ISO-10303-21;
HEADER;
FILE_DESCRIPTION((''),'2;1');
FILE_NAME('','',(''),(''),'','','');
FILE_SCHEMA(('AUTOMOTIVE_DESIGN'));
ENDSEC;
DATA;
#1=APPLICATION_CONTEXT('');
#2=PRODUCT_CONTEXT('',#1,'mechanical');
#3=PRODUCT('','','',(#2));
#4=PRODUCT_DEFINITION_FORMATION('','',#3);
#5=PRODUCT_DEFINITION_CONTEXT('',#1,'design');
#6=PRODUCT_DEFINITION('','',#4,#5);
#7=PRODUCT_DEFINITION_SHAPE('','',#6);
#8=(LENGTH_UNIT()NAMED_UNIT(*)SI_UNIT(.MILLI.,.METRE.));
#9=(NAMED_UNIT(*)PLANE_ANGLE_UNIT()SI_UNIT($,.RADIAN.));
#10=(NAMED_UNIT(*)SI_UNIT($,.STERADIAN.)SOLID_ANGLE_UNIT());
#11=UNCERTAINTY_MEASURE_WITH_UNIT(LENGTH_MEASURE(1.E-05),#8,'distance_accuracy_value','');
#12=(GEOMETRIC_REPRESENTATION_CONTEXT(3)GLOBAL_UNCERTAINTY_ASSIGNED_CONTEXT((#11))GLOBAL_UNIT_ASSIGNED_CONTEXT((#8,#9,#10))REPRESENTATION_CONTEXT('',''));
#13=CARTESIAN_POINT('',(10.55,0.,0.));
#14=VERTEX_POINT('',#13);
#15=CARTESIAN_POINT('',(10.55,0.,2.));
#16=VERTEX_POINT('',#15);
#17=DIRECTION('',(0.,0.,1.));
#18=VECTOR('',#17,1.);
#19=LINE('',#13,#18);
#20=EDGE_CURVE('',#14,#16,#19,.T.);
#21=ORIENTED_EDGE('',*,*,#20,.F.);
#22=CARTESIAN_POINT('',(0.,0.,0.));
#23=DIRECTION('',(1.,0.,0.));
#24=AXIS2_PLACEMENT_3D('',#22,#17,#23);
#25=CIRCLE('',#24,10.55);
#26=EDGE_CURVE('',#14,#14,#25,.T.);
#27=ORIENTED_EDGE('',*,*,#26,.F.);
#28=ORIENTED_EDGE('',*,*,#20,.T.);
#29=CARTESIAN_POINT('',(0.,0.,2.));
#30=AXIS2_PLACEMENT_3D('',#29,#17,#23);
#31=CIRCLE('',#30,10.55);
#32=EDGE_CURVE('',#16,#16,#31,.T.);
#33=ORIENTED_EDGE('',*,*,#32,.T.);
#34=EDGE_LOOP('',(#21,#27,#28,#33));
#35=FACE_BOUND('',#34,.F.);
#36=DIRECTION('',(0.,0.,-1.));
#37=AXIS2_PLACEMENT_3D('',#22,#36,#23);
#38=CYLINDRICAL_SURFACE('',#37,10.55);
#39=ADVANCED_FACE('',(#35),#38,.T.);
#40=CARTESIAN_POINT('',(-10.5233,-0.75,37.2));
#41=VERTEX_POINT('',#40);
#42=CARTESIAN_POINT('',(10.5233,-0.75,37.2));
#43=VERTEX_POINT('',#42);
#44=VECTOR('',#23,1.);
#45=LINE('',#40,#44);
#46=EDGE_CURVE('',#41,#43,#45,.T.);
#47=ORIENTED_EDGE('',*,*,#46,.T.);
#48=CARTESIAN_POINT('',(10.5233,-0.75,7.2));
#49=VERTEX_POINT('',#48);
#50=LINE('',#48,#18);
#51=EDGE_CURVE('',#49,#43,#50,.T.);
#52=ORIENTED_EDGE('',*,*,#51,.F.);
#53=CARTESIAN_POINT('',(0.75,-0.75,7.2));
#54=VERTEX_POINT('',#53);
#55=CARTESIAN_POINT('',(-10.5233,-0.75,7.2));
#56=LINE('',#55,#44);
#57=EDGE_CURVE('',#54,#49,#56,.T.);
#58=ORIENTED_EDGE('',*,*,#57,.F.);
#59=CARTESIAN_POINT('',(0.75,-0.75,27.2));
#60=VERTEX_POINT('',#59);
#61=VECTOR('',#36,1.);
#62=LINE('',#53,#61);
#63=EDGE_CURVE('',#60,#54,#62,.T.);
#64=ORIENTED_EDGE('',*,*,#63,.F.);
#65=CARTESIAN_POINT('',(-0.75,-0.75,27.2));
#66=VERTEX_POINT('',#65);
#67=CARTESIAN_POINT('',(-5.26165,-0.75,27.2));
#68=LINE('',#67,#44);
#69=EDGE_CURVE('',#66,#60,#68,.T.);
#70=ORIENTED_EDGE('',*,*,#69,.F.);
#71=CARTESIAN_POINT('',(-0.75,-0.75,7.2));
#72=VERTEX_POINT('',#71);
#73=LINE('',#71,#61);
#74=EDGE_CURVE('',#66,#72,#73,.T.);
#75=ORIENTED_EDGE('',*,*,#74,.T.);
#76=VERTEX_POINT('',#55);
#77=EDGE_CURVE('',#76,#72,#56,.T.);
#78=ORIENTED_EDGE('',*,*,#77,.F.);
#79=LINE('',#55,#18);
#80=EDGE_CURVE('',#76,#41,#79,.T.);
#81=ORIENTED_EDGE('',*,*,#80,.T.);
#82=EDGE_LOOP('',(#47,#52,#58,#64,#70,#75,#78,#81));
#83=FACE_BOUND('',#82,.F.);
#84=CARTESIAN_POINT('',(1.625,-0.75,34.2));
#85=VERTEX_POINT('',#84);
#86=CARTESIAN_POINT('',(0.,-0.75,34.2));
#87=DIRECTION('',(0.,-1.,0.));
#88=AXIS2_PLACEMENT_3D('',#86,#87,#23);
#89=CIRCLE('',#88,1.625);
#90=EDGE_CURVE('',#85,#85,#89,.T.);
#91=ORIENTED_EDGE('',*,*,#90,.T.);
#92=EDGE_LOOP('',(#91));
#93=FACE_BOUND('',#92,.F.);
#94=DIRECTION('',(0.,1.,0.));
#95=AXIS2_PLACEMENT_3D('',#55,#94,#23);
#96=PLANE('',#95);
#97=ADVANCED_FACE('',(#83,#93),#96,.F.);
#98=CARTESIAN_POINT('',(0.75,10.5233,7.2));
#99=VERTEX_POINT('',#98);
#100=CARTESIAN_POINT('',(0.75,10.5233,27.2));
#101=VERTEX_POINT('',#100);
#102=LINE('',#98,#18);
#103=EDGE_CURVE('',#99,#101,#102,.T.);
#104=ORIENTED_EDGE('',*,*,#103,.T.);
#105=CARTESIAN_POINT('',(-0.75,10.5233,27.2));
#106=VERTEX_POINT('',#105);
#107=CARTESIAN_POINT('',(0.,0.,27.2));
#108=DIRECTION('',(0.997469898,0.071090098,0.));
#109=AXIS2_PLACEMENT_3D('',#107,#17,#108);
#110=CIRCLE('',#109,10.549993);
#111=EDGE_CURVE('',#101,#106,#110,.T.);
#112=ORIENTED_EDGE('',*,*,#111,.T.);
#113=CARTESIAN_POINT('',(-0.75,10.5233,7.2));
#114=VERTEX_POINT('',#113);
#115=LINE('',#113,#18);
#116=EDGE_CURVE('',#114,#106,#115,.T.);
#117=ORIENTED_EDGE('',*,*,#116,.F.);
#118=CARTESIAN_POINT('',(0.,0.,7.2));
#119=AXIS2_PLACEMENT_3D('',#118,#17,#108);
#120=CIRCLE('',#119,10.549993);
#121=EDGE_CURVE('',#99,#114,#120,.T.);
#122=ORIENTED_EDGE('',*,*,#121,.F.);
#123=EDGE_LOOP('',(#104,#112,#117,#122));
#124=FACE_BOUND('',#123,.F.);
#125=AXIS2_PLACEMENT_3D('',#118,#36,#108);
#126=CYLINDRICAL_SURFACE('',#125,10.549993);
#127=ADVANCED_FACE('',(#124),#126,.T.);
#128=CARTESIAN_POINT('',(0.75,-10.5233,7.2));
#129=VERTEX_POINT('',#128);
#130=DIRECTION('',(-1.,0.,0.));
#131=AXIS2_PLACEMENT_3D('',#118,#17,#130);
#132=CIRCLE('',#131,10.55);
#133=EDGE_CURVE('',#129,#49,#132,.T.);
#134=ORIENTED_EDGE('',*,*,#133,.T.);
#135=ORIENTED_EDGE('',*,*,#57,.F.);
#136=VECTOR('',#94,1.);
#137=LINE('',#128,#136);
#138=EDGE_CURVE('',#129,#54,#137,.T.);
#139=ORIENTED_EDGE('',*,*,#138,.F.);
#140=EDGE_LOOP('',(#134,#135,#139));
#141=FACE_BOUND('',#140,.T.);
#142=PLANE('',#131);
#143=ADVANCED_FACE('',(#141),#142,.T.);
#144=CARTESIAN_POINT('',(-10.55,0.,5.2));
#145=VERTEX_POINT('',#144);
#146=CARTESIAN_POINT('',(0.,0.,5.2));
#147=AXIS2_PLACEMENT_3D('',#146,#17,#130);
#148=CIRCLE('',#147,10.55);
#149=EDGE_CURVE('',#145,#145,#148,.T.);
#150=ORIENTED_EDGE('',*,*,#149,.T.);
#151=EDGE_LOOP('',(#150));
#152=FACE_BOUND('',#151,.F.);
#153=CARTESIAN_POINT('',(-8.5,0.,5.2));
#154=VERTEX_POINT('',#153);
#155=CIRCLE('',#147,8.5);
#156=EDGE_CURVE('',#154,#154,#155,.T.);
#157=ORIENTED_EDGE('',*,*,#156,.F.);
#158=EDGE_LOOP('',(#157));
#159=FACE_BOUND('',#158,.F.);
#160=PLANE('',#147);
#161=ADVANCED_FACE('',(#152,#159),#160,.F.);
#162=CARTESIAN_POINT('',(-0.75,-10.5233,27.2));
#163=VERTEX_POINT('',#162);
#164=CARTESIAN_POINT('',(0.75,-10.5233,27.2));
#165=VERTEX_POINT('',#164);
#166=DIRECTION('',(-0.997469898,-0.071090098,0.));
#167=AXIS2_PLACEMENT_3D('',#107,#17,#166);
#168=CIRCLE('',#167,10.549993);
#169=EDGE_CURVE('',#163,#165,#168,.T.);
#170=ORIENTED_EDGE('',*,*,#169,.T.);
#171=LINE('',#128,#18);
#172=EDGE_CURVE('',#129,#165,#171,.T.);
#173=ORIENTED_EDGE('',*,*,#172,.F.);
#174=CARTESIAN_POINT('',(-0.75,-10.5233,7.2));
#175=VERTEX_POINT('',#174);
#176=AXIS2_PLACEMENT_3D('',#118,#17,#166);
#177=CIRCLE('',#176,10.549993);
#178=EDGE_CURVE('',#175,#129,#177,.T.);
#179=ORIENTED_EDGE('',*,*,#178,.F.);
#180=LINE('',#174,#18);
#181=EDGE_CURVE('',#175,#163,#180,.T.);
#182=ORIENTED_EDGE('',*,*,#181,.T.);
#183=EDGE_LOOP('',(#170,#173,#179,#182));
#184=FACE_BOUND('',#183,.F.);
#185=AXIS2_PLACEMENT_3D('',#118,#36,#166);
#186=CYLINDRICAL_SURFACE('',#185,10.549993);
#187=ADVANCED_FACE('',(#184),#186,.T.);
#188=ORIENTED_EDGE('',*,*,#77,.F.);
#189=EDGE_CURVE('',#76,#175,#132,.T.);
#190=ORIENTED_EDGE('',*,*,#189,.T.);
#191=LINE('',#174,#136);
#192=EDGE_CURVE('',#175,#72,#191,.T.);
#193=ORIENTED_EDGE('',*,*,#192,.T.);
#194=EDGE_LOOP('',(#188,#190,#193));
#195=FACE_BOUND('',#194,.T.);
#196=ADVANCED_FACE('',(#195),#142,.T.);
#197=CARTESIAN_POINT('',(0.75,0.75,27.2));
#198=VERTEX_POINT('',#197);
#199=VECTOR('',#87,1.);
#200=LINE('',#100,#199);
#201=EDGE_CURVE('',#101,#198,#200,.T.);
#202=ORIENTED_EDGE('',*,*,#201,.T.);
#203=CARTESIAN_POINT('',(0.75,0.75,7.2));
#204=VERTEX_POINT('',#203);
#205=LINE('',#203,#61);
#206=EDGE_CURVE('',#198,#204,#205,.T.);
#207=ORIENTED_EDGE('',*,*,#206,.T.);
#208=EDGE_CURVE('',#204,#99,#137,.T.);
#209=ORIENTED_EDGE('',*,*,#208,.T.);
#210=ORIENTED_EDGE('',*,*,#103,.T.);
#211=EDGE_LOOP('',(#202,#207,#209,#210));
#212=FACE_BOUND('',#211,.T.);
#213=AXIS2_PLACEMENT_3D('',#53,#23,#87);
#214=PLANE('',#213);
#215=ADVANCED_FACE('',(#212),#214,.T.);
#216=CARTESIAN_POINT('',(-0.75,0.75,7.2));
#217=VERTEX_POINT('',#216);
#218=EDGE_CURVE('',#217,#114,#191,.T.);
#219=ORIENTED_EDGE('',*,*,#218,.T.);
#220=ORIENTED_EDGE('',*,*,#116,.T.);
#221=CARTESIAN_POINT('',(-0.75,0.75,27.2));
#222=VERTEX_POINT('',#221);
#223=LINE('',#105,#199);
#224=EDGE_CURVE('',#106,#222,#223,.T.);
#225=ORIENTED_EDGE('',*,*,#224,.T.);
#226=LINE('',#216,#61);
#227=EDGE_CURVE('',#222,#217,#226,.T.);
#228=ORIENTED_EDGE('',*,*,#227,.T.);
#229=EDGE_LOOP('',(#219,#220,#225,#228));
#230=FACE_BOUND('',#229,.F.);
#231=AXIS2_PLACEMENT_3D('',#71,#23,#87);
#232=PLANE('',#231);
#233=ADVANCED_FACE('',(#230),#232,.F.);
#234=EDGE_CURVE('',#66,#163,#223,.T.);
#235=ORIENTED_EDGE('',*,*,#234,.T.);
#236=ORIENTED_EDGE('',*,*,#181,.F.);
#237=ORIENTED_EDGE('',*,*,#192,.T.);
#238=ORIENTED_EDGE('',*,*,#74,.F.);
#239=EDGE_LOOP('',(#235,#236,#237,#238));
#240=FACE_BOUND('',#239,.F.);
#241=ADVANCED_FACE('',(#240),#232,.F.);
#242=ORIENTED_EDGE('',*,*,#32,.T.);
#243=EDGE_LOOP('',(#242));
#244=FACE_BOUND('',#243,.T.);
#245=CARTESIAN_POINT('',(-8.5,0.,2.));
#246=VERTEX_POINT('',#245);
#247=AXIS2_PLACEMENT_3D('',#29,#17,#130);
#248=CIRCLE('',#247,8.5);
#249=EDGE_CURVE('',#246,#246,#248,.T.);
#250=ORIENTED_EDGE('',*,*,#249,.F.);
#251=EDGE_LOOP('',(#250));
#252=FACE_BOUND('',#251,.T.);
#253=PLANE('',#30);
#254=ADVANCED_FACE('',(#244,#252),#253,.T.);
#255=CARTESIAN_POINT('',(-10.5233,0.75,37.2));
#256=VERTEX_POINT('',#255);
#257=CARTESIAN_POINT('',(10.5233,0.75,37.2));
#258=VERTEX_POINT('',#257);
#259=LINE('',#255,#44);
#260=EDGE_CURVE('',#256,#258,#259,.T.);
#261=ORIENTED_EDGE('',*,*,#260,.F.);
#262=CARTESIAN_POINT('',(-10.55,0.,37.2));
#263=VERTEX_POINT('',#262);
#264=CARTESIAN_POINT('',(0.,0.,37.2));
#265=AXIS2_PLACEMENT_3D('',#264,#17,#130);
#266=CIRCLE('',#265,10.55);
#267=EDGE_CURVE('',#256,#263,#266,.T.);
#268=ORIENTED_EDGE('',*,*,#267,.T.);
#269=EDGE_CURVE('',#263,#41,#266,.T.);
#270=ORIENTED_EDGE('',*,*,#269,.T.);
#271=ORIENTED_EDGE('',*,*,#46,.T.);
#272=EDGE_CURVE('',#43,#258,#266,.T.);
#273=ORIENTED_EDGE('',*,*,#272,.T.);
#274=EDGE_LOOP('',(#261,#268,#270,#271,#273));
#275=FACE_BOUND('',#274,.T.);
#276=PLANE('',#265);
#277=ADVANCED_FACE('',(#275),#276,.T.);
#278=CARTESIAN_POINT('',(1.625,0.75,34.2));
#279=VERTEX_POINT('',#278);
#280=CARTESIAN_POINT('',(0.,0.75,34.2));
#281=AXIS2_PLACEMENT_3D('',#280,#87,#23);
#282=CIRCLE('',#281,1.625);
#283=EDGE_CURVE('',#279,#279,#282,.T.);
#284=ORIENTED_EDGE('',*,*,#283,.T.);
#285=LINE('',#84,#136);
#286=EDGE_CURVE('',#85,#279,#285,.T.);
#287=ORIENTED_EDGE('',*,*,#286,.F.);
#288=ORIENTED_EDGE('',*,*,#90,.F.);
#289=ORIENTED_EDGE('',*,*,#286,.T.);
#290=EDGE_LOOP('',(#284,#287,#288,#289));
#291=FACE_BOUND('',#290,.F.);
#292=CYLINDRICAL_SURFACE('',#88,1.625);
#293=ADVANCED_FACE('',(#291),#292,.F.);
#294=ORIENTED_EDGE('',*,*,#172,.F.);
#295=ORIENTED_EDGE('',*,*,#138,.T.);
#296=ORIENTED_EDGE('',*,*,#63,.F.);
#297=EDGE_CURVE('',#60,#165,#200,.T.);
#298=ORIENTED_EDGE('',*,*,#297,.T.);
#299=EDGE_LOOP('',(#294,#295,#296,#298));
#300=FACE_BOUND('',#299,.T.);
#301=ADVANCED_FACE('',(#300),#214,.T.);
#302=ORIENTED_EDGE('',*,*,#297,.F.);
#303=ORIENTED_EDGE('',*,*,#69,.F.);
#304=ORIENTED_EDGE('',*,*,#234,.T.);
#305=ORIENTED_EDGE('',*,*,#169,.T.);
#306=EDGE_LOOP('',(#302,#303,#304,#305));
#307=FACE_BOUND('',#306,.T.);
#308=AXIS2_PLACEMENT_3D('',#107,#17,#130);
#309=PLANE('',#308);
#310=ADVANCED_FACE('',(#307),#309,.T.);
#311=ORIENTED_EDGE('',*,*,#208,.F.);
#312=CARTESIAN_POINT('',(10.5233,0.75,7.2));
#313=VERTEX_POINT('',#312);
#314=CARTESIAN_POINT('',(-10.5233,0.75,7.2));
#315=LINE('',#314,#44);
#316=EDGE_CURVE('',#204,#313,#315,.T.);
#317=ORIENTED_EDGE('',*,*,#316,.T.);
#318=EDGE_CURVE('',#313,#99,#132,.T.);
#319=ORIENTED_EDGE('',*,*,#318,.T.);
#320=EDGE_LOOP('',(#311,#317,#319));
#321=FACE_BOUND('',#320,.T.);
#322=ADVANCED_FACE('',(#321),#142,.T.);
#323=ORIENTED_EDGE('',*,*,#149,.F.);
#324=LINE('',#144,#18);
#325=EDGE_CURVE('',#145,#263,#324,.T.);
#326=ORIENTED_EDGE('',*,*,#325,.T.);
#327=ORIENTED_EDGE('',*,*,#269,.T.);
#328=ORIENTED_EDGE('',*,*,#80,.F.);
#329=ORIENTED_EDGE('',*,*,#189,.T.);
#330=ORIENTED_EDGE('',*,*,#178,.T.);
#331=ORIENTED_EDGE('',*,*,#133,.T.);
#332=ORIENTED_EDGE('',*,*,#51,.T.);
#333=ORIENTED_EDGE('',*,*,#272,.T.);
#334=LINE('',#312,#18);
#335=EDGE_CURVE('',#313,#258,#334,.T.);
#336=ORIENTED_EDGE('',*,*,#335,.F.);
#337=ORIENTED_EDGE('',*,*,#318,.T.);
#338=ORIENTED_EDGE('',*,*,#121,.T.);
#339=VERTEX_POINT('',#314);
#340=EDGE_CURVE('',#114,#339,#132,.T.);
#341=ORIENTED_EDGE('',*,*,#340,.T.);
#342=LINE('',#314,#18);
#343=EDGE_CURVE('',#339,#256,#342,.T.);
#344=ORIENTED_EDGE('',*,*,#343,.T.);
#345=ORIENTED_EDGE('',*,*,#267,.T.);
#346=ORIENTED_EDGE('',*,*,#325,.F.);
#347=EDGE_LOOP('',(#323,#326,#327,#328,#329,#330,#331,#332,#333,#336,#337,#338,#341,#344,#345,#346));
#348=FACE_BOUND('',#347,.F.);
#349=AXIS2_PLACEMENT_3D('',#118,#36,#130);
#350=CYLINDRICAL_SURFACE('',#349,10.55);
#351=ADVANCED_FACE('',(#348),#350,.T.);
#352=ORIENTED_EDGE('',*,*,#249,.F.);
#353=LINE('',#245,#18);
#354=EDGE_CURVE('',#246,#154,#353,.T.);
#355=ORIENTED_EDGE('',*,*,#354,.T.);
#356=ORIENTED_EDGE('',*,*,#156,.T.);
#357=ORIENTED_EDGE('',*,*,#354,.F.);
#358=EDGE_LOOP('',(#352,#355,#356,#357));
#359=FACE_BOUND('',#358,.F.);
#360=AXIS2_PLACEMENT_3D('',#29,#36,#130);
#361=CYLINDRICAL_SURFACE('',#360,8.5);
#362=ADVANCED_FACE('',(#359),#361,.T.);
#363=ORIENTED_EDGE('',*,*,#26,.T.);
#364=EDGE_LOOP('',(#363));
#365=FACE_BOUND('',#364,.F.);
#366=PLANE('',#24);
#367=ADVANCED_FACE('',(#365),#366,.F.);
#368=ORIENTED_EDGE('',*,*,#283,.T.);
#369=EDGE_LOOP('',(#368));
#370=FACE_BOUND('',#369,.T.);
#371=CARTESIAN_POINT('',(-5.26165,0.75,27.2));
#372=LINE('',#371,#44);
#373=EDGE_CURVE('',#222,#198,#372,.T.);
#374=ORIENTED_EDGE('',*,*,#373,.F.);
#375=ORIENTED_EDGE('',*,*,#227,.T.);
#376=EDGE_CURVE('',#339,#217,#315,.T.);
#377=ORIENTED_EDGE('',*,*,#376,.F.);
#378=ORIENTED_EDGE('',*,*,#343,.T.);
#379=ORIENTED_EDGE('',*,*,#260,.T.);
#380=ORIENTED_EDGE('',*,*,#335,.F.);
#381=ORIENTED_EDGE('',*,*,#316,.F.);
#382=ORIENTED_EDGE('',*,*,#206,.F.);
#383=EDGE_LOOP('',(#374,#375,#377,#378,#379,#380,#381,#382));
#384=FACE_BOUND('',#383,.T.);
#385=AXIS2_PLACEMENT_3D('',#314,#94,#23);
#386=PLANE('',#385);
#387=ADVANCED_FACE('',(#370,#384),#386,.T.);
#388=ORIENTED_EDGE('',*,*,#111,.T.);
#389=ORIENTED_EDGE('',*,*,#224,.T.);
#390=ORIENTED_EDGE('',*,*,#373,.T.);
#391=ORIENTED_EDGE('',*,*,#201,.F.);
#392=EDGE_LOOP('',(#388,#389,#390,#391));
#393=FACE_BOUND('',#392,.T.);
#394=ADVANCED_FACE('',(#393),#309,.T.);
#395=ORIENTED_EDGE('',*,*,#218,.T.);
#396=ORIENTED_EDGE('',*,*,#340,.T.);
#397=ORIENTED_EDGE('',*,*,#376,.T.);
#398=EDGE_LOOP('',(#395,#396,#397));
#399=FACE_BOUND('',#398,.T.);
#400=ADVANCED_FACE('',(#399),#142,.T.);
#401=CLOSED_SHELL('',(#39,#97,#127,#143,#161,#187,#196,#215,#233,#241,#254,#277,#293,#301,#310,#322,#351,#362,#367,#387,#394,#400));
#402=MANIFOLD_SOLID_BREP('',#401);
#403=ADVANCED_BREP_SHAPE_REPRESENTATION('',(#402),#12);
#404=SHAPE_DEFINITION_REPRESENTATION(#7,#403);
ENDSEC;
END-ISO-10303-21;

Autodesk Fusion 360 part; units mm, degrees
sketch "スケッチ1" plane through (0, 0, 0) normal (0, 0, 1) x (1, 0, 0)
  circle A0 centre (0, 0) radius 10.55
  dimension "d1" = 21.1
extrude "押し出し1" add sketch "スケッチ1" along normal blind 2
sketch "スケッチ2" plane through (0, 0, 2) normal (0, 0, 1) x (-1, 0, 0)
  circle A0 centre (0, 0) radius 10.55
  circle A1 centre (0, 0) radius 8.5
  dimension "d4" = 17
extrude "押し出し2" add sketch "スケッチ2" along normal blind 3.2 contours A1
sketch "スケッチ3" plane through (0, 0, 5.2) normal (0, 0, 1) x (-1, 0, 0)
  circle A0 centre (0, 0) radius 8.5
  circle A1 centre (0, 0) radius 10.55
extrude "押し出し3" add sketch "スケッチ3" along normal blind 2 contours A0 | A1
sketch "スケッチ4" plane through (0, 0, 7.2) normal (0, 0, 1) x (-1, 0, 0)
  line L0 (10.5233, -0.75) -> (-10.5233, -0.75)
  line L1 (10.5233, 0.75) -> (-10.5233, 0.75)
  circle A0 centre (0, 0) radius 10.55
  dimension "d24" = 0.75
  dimension "d25" = 0.75
extrude "押し出し7" add sketch "スケッチ4" along normal blind 30 contours L0 L1 A0
sketch "スケッチ5" plane through (0, -0.75, 0) normal (0, -1, 0) x (1, 0, 0)
  line L0 (-10.4732, 7.2) -> (10.4732, 7.2)
  line L1 (10.5, 7.2) -> (10.5, 37.2)
  line L2 (10.5, 37.2) -> (-10.5, 37.2)
  line L3 (-10.5, 37.2) -> (-10.5, 7.2)
  circle A0 centre (0, 34.2) radius 1.625
  line L4 (0, 34.2) -> (0, 37.2) construction
  line L5 (10.4732, 7.2) -> (10.5, 7.2)
  line L6 (-10.5, 7.2) -> (-10.4732, 7.2)
  line L7 (-10.5233, 7.2) -> (10.5233, 7.2)
  line L8 (10.5233, 7.2) -> (10.5233, 37.2)
  line L9 (10.5233, 37.2) -> (-10.5233, 37.2)
  line L10 (-10.5233, 37.2) -> (-10.5233, 7.2)
  dimension "d13" = 3.25
  dimension "d14" = 3
extrude "押し出し8" cut sketch "スケッチ5" against normal up to surface (1.5 mm away) contours A0
sketch "スケッチ8" plane through (0, 0, 7.2) normal (0, 0, 1) x (-1, 0, 0)
  line L0 (-10.5233, 0.75) -> (10.5233, 0.75)
  arc A0 (10.5233, 0.75) -> (-10.5233, 0.75) centre (0, 0) ccw
  line L1 (0.75, -10.5233) -> (0.75, 10.5233)
  line L2 (-0.75, -10.5233) -> (-0.75, 10.5233)
  arc A1 (-10.5233, -0.75) -> (10.5233, -0.75) centre (0, 0) ccw
  dimension "d30" = 0.75
  dimension "d31" = 0.75
extrude "押し出し9" add sketch "スケッチ8" along normal blind 20 contours L0 A0 L1 L2 | L0 L1 L2 A1
